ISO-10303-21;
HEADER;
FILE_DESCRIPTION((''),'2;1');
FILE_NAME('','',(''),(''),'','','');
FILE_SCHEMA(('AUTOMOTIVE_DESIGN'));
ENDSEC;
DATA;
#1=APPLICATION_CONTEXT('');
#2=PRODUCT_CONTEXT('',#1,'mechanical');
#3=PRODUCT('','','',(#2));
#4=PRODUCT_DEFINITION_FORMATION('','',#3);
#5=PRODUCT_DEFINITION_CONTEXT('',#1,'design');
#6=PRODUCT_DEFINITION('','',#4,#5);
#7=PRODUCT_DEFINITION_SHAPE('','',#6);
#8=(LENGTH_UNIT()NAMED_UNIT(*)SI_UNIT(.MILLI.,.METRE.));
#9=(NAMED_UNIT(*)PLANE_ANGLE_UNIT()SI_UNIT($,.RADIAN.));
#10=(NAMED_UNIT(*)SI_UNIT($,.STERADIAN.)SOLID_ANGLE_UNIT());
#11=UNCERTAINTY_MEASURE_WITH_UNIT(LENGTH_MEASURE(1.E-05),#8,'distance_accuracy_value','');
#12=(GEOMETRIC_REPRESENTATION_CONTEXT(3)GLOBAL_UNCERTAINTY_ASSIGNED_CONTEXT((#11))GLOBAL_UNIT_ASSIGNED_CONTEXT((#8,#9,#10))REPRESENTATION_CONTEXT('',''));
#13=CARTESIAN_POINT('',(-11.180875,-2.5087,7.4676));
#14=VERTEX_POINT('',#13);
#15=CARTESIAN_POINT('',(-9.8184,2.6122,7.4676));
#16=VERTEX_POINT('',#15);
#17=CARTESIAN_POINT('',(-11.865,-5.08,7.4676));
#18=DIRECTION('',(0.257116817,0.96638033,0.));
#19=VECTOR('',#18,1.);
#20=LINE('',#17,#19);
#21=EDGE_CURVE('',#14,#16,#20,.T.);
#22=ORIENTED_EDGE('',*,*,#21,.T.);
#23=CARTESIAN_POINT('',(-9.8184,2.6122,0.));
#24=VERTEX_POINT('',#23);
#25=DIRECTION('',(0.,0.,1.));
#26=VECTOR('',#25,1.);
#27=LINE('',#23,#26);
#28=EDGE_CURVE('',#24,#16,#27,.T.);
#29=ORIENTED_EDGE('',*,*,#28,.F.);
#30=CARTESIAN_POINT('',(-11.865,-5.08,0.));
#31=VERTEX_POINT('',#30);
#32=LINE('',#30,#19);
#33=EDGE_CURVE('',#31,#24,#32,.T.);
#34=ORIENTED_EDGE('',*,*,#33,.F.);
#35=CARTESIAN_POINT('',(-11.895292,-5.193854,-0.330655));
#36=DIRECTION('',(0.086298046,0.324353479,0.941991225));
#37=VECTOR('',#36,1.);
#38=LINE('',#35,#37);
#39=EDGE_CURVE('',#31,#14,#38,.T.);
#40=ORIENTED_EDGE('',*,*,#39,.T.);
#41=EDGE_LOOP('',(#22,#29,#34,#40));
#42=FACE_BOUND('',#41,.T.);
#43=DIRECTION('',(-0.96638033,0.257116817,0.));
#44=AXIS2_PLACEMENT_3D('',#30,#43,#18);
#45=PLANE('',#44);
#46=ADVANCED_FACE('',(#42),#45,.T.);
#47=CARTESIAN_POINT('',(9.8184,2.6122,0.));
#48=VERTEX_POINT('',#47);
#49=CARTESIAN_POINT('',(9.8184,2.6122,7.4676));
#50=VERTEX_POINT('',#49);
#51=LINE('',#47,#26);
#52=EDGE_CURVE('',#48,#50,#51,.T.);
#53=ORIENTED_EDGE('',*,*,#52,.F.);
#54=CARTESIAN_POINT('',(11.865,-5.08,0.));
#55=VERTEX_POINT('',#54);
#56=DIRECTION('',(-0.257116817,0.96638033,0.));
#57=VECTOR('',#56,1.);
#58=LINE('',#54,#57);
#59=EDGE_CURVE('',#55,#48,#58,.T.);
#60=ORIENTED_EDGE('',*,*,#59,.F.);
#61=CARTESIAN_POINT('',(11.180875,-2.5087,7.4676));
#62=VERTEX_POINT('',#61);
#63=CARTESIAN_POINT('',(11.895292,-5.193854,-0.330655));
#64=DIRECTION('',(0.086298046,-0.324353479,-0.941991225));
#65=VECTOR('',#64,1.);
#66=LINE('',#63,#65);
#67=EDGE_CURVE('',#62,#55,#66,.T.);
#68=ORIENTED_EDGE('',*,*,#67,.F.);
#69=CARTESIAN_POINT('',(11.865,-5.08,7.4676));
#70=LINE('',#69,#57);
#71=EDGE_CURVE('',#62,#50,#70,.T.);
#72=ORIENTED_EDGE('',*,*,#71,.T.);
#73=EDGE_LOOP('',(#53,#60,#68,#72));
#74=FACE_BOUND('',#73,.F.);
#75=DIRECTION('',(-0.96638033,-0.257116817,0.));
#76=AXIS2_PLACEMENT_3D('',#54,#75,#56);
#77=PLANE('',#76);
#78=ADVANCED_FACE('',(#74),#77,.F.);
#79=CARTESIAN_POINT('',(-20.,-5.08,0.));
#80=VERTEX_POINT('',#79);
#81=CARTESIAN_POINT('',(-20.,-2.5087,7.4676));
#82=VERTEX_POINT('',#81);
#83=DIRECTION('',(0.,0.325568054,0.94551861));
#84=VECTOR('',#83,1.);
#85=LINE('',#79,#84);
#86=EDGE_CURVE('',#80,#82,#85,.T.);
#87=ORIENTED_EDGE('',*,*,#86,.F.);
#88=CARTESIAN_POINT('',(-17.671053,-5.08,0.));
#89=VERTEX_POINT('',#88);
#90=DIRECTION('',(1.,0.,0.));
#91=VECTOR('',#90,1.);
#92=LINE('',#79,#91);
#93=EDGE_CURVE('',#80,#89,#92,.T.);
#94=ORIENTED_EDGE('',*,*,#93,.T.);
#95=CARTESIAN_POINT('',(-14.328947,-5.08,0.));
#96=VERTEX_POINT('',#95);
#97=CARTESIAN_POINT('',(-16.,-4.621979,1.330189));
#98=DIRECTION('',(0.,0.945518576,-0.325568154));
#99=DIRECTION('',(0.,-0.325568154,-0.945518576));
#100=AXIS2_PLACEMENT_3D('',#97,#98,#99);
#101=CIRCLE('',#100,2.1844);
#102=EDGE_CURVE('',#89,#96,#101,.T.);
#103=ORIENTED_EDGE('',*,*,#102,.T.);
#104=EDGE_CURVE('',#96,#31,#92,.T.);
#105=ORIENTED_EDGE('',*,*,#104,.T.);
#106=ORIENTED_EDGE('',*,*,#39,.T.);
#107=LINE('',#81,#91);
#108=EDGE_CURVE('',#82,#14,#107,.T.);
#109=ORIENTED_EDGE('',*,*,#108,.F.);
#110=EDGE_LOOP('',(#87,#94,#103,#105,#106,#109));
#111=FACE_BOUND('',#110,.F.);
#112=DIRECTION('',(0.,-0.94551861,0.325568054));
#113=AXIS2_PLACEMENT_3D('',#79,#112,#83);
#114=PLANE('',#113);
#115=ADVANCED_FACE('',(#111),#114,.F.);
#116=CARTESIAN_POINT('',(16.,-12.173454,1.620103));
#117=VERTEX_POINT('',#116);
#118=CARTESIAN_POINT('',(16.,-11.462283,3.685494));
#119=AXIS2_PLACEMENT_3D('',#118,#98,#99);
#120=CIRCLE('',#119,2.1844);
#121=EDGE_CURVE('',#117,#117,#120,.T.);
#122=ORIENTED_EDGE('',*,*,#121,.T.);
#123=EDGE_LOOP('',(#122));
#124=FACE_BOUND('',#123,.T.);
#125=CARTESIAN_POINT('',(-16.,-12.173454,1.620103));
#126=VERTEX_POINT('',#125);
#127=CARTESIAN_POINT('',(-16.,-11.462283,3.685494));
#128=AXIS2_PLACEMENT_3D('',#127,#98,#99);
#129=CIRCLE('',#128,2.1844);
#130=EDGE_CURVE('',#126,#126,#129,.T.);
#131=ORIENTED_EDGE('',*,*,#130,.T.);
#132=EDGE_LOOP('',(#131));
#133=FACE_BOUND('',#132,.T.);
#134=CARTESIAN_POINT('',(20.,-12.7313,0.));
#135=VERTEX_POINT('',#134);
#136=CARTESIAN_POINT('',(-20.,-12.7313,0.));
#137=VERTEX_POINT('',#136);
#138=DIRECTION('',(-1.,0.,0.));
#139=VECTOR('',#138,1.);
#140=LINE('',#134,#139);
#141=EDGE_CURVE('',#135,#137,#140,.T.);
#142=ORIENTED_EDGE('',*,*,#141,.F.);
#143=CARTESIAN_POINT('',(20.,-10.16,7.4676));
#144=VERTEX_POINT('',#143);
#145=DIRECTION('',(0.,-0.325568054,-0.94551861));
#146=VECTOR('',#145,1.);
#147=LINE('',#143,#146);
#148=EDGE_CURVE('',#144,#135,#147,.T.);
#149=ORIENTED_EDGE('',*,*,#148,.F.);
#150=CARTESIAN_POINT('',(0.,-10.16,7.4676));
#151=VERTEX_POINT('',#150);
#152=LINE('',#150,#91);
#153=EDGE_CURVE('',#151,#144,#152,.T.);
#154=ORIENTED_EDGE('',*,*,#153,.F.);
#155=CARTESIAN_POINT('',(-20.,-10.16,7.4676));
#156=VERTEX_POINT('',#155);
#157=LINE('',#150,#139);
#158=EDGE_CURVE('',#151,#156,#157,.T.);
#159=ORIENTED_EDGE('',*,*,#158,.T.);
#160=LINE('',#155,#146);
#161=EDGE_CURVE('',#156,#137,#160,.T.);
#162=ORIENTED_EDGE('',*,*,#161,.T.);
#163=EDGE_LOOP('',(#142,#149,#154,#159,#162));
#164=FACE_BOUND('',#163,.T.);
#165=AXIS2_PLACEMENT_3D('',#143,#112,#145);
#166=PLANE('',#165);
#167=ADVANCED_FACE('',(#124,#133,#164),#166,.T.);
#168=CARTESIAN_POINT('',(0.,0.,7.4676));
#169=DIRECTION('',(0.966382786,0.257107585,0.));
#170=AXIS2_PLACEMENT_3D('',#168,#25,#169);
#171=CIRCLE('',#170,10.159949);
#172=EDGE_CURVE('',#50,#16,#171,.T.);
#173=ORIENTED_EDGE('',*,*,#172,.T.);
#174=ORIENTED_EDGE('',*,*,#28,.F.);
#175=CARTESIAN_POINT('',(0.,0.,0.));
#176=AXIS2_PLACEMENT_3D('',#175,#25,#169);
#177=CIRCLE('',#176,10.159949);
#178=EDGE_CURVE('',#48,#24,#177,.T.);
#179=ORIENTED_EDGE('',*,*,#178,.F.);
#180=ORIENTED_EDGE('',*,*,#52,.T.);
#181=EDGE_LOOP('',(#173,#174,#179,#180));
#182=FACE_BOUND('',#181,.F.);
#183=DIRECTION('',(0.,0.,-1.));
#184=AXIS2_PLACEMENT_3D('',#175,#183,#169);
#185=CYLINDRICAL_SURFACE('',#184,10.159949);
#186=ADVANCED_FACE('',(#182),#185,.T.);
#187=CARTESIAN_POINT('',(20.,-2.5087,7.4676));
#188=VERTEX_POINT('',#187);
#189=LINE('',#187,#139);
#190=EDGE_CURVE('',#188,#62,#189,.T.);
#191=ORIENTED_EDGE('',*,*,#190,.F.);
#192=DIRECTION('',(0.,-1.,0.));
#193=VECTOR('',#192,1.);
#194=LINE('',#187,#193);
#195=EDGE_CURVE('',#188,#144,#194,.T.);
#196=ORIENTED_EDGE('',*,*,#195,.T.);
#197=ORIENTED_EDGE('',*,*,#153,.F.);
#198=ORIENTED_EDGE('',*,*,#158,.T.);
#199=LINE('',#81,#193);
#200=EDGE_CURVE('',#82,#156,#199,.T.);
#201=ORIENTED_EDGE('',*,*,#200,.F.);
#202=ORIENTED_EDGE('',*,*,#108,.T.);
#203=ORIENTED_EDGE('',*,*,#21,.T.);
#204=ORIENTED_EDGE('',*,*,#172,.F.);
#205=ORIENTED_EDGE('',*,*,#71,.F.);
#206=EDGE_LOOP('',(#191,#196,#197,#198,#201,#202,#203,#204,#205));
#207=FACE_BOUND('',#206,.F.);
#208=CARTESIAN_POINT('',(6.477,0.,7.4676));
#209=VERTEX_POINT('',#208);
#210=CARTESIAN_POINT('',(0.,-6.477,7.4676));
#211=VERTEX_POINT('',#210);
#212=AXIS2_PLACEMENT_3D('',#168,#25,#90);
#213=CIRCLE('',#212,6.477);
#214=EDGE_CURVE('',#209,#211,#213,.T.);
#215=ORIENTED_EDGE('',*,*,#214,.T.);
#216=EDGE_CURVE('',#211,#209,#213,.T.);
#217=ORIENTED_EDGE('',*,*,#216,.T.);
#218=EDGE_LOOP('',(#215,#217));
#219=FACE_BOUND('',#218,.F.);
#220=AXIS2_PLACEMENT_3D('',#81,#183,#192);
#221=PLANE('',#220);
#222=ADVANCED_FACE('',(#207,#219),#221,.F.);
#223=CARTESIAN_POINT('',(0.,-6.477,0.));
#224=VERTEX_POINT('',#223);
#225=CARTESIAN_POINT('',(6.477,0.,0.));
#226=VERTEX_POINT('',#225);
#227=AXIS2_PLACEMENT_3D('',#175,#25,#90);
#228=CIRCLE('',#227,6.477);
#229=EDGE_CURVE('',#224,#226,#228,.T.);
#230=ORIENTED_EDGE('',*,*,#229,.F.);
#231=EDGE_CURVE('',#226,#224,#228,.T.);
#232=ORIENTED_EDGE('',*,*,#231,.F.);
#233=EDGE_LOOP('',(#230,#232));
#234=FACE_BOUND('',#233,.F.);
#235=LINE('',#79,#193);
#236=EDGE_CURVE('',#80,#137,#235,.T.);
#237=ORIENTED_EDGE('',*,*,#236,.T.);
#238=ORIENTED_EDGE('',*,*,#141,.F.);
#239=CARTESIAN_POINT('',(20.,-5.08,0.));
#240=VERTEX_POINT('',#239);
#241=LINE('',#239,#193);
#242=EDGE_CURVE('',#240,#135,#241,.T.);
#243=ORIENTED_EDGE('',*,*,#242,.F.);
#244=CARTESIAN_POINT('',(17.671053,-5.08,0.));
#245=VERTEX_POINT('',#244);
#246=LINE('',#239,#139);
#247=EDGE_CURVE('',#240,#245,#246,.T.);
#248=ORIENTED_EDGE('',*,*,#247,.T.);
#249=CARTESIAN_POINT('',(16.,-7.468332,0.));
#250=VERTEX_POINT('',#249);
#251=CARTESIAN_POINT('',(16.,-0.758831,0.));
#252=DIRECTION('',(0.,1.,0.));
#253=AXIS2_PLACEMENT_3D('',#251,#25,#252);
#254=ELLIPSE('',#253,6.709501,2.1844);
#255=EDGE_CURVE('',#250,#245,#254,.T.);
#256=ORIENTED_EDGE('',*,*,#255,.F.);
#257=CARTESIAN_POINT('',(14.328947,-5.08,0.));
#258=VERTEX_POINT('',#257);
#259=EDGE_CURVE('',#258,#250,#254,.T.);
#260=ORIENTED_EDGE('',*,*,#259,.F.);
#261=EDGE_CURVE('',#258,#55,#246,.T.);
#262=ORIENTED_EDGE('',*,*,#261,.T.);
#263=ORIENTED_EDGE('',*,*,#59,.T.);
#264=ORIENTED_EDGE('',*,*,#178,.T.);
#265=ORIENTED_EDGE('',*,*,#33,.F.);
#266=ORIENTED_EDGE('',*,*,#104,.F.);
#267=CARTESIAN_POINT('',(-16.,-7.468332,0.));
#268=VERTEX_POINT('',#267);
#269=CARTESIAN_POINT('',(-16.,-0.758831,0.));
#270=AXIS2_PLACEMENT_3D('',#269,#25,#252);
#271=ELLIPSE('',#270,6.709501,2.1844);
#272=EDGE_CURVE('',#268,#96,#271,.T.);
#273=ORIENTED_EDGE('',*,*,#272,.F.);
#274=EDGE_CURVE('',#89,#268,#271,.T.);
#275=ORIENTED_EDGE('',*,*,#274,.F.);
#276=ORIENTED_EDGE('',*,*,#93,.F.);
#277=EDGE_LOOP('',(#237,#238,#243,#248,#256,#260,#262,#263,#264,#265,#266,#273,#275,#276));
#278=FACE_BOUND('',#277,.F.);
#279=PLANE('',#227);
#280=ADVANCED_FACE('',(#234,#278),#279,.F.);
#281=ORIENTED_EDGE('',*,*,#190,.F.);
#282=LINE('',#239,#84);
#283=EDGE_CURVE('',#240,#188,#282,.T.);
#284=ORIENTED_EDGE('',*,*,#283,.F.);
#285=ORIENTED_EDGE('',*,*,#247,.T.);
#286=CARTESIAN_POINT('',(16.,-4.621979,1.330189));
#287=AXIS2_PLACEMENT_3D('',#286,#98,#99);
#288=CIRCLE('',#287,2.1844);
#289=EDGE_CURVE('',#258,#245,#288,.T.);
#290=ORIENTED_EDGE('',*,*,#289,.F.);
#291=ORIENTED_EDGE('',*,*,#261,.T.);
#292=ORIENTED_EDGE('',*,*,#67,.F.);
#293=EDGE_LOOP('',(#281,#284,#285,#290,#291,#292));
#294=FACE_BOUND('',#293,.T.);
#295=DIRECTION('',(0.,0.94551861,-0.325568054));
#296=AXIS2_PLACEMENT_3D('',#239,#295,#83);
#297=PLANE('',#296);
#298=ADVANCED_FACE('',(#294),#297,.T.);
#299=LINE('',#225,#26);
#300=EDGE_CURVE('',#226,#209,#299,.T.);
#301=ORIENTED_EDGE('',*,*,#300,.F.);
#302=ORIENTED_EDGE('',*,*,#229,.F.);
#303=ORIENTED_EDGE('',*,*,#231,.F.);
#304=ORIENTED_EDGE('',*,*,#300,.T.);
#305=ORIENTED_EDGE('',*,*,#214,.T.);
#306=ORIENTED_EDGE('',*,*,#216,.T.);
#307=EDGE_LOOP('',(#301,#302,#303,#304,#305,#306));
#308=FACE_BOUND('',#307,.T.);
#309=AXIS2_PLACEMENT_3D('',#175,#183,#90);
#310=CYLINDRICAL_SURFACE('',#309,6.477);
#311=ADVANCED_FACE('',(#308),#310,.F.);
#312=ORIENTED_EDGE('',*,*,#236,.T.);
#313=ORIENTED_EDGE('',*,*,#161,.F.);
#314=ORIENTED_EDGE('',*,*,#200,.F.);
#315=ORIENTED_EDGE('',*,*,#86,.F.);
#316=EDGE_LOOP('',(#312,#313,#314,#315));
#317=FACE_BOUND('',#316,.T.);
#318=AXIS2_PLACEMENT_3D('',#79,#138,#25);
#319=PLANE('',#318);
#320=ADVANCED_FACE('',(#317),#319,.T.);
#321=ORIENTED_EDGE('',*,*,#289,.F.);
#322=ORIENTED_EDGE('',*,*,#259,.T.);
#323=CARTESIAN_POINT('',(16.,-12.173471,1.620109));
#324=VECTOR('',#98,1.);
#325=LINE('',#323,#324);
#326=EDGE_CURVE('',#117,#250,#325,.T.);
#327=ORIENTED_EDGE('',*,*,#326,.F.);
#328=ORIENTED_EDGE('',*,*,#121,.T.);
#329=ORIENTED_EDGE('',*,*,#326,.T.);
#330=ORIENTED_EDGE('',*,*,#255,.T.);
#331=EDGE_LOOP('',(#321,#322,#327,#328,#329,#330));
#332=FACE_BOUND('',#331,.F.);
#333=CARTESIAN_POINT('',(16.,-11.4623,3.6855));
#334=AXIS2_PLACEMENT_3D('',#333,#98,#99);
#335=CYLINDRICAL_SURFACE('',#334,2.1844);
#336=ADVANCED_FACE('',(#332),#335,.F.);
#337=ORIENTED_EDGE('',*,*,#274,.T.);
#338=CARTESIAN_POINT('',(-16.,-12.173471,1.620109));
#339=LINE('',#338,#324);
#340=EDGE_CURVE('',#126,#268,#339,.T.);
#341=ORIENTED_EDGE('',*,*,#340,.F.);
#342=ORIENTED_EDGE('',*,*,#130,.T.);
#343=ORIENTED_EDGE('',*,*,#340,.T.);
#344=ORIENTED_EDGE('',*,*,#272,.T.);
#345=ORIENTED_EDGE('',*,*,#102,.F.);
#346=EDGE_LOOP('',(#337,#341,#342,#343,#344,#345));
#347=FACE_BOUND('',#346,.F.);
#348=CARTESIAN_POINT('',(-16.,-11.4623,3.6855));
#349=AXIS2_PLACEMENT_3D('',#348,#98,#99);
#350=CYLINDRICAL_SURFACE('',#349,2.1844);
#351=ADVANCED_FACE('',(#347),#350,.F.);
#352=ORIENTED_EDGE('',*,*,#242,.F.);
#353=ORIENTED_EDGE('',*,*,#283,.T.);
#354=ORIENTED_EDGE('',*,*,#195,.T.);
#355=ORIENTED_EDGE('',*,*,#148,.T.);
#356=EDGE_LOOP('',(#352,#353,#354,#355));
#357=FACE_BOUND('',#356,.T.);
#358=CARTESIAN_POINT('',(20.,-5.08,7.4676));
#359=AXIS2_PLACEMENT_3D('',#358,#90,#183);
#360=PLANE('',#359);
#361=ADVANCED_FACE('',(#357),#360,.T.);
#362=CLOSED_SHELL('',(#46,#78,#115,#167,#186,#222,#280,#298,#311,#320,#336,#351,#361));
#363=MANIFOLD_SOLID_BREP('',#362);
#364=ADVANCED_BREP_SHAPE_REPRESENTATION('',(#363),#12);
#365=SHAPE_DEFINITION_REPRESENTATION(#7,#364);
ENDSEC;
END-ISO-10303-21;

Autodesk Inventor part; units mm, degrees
ref_plane "YZ Plane" through (0, 0, 0) normal (1, 0, 0) x (0, 1, 0)
ref_plane "XZ Plane" through (0, 0, 0) normal (0, 1, 0) x (-1, 0, 0)
sketch "Sketch1" plane through (0, 0, 0) normal (0, 0, 1) x (1, 0, 0)
  circle A0 centre (0, 0) radius 6.477
  arc A1 (9.8184, 2.6122) -> (-9.8184, 2.6122) centre (0, 0) ccw
  line L0 (0, -10.16) -> (-20, -10.16)
  line L1 (-20, -10.16) -> (-20, -5.08)
  line L2 (0, -5.08) -> (0, -10.16)
  line L3 (0, -10.16) -> (20, -10.16)
  line L4 (20, -10.16) -> (20, -5.08)
  line L5 (0, -5.08) -> (0, -10.16)
  line L6 (-16, -5.08) -> (-16, -10.16) construction
  line L7 (-19.5, -5.08) -> (-19.5, -10.16) construction
  line L8 (-12.5, -5.08) -> (-12.5, -10.16) construction
  line L9 (-11.865, -5.08) -> (-11.865, -10.16) construction
  line L10 (-11.865, -5.08) -> (-9.8184, 2.6122)
  line L11 (16, -5.08) -> (16, -10.16) construction
  line L12 (12.5, -5.08) -> (12.5, -10.16) construction
  line L13 (11.865, -5.08) -> (11.865, -10.16) construction
  line L14 (11.865, -5.08) -> (9.8184, 2.6122)
  line L15 (20, -5.08) -> (11.865, -5.08)
  line L16 (-20, -5.08) -> (-11.865, -5.08)
  dimension "d0" = 12.954
  dimension "d1" = 20.32
  dimension "d3" = 5.08
  dimension "d5" = 5.08
  dimension "d6" = 16
  dimension "d7" = 3.5
  dimension "d8" = 3.5
  dimension "d9" = 0.635
  dimension "d10" = 16
  dimension "d11" = 3.5
  dimension "d12" = 0.635
ref_plane "Work Plane1" through (-6.9215, -6.9215, 7.4676) normal (0, 0, -1) x (0, 1, 0)
extrude "Extrusion1" add sketch "Sketch1" along normal up to surface (7.4676 mm away)
sketch "Sketch3" plane through (20, -10.16, 0) normal (1, 0, 0) x (0, 0, -1)
  line L0 (-7.4676, 5.08) -> (-7.4676, 0) projected
  line L1 (-7.4676, 0) -> (0, -2.5713)
  line L2 (-7.4676, 0) -> (0.6469, 0) construction
  line L3 (0, 0) -> (0, -2.5713)
  line L4 (0, 0) -> (-7.4676, 0) projected
  line L5 (0, 0) -> (-7.4676, 0)
  point P0 (0, 10.16)
  dimension "d28" = 19
extrude "Extrusion2" add sketch "Sketch3" against normal up to surface (40 mm away)
sketch "Sketch4" plane through (20, -5.08, 7.4676) normal (1, 0, 0) x (0, 0, -1)
  line L0 (7.4676, 0) -> (0, 0) projected
  line L1 (7.4676, 0) -> (0, 0)
  line L2 (7.4676, 0) -> (0, 2.5713)
  line L3 (0, 0) -> (0, 7.6922) projected
  line L4 (7.4676, 0) -> (15.3655, 0) construction
  line L5 (0, 7.6922) -> (0, 0) projected
  line L6 (0, 2.5713) -> (0, 0)
  point P0 (7.4676, 5.08)
  dimension "d31" = 161
extrude "Extrusion3" add sketch "Sketch4" against normal blind 10.16
sketch "Sketch5" plane through (-20, -5.08, 0) normal (-1, 0, 0) x (0, 0, 1)
  line L0 (7.4676, 7.6922) -> (7.4676, 0) projected
  line L1 (0, 0) -> (7.4676, 0)
  line L2 (0, 0) -> (7.4676, 2.5713)
  line L3 (0, 0) -> (7.8979, 0) construction
  line L4 (7.4676, 0) -> (7.4676, -5.08) projected
  line L5 (7.4676, 2.5713) -> (7.4676, 0)
  point P0 (0, 5.08)
  dimension "d34" = 19
extrude "Extrusion4" add sketch "Sketch5" against normal blind 10.16
sketch "Sketch6" plane through (-20, -12.7313, 0) normal (0, -0.9455, 0.3256) x (1, 0, 0)
  line L0 (40, 2.491) -> (40, 10.3889) construction
  line L1 (40, 3.8979) -> (0, 3.8979) construction
  line L2 (0, 7.8979) -> (40, 7.8979) construction
  line L3 (36, 7.8979) -> (36, 0) construction
  line L4 (40, 0) -> (0, 0) construction
  line L5 (40, 7.8979) -> (40, 0) construction
  line L6 (4, 7.8979) -> (4, 0) construction
  line L7 (0, 7.8979) -> (0, 0) construction
  circle A0 centre (36, 3.8979) radius 2.1844
  circle A1 centre (4, 3.8979) radius 2.1844
  point P0 (20, 4.1449)
  dimension "d37" = 4
  dimension "d38" = 4
  dimension "d39" = 4
  dimension "d40" = 4.3688
  dimension "d41" = 4.3688
hole "Hole2" at (16, -11.4623, 3.6855) at (-16, -11.4623, 3.6855) direction (0, 0.9455, -0.3256) diameter 4.3688 end through all
properties part number "omni wheel shaft holder low channel side attach"
